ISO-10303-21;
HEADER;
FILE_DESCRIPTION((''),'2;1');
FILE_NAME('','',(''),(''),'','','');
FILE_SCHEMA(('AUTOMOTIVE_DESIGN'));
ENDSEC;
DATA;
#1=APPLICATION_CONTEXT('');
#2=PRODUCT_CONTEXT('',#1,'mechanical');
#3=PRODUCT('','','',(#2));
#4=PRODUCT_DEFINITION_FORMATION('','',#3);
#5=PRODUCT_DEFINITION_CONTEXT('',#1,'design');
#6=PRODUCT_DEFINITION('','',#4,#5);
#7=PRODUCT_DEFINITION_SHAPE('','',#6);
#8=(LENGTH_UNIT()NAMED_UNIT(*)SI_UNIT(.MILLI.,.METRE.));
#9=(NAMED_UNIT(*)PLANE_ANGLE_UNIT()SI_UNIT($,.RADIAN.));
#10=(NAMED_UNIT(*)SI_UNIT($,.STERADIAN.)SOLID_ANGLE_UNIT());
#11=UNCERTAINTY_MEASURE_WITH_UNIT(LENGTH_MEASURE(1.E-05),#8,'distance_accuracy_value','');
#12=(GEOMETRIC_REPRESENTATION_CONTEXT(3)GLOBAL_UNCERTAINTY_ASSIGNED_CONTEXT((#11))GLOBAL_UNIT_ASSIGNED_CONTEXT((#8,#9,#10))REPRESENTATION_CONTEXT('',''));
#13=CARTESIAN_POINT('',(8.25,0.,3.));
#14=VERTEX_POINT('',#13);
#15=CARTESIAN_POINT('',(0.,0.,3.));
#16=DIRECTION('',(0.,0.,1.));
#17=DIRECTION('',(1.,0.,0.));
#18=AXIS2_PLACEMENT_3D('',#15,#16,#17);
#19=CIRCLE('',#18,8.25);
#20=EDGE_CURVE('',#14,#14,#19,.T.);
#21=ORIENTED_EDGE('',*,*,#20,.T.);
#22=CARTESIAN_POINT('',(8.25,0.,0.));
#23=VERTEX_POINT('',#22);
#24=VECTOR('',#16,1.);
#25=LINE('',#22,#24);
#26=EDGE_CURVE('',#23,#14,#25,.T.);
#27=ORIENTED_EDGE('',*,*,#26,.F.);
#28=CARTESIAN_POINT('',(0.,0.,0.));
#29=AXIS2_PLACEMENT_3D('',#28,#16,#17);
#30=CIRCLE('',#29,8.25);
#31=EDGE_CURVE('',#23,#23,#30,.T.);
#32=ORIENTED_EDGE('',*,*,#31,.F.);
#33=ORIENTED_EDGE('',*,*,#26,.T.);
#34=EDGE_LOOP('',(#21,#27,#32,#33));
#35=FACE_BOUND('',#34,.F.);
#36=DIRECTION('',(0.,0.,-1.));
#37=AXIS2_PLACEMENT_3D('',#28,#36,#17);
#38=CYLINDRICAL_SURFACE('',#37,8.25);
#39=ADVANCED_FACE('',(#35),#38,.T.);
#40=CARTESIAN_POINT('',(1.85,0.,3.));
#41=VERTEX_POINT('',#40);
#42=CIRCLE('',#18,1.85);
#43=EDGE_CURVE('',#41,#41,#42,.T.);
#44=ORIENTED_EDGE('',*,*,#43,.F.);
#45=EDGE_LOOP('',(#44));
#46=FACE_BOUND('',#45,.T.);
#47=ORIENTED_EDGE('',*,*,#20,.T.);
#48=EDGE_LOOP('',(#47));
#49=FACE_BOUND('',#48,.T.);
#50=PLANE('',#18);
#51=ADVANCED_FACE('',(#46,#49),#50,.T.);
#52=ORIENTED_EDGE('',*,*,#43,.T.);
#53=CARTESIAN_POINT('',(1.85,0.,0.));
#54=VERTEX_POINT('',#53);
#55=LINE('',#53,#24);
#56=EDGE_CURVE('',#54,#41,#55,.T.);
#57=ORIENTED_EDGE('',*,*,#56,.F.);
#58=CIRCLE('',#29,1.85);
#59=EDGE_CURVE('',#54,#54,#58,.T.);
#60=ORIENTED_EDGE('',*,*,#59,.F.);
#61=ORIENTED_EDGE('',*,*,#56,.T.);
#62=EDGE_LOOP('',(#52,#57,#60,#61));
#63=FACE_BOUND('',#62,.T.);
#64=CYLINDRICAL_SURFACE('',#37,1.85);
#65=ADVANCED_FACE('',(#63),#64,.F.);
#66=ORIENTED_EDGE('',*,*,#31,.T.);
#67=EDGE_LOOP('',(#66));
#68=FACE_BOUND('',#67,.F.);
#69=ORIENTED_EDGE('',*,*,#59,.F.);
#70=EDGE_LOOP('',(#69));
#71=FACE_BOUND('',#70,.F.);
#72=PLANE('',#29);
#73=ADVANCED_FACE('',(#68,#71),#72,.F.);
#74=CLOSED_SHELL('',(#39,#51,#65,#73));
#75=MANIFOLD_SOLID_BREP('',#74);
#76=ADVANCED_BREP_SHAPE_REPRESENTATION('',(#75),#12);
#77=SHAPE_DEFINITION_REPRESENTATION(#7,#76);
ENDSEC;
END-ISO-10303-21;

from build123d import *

# Parameters (mm, degrees)
SKIZZE1_R                       = 8.25
SKIZZE1_R_2                     = 1.85
AUFSATZ_LINEAR_AUSTRAGEN1_DEPTH = 3


with BuildPart() as part:
    # Skizze1 → Aufsatz-Linear austragen1 (new body)
    with BuildSketch(Plane.XY):
        Circle(SKIZZE1_R)
        Circle(SKIZZE1_R_2, mode=Mode.SUBTRACT)
    extrude(amount=AUFSATZ_LINEAR_AUSTRAGEN1_DEPTH)


solid = part.part
